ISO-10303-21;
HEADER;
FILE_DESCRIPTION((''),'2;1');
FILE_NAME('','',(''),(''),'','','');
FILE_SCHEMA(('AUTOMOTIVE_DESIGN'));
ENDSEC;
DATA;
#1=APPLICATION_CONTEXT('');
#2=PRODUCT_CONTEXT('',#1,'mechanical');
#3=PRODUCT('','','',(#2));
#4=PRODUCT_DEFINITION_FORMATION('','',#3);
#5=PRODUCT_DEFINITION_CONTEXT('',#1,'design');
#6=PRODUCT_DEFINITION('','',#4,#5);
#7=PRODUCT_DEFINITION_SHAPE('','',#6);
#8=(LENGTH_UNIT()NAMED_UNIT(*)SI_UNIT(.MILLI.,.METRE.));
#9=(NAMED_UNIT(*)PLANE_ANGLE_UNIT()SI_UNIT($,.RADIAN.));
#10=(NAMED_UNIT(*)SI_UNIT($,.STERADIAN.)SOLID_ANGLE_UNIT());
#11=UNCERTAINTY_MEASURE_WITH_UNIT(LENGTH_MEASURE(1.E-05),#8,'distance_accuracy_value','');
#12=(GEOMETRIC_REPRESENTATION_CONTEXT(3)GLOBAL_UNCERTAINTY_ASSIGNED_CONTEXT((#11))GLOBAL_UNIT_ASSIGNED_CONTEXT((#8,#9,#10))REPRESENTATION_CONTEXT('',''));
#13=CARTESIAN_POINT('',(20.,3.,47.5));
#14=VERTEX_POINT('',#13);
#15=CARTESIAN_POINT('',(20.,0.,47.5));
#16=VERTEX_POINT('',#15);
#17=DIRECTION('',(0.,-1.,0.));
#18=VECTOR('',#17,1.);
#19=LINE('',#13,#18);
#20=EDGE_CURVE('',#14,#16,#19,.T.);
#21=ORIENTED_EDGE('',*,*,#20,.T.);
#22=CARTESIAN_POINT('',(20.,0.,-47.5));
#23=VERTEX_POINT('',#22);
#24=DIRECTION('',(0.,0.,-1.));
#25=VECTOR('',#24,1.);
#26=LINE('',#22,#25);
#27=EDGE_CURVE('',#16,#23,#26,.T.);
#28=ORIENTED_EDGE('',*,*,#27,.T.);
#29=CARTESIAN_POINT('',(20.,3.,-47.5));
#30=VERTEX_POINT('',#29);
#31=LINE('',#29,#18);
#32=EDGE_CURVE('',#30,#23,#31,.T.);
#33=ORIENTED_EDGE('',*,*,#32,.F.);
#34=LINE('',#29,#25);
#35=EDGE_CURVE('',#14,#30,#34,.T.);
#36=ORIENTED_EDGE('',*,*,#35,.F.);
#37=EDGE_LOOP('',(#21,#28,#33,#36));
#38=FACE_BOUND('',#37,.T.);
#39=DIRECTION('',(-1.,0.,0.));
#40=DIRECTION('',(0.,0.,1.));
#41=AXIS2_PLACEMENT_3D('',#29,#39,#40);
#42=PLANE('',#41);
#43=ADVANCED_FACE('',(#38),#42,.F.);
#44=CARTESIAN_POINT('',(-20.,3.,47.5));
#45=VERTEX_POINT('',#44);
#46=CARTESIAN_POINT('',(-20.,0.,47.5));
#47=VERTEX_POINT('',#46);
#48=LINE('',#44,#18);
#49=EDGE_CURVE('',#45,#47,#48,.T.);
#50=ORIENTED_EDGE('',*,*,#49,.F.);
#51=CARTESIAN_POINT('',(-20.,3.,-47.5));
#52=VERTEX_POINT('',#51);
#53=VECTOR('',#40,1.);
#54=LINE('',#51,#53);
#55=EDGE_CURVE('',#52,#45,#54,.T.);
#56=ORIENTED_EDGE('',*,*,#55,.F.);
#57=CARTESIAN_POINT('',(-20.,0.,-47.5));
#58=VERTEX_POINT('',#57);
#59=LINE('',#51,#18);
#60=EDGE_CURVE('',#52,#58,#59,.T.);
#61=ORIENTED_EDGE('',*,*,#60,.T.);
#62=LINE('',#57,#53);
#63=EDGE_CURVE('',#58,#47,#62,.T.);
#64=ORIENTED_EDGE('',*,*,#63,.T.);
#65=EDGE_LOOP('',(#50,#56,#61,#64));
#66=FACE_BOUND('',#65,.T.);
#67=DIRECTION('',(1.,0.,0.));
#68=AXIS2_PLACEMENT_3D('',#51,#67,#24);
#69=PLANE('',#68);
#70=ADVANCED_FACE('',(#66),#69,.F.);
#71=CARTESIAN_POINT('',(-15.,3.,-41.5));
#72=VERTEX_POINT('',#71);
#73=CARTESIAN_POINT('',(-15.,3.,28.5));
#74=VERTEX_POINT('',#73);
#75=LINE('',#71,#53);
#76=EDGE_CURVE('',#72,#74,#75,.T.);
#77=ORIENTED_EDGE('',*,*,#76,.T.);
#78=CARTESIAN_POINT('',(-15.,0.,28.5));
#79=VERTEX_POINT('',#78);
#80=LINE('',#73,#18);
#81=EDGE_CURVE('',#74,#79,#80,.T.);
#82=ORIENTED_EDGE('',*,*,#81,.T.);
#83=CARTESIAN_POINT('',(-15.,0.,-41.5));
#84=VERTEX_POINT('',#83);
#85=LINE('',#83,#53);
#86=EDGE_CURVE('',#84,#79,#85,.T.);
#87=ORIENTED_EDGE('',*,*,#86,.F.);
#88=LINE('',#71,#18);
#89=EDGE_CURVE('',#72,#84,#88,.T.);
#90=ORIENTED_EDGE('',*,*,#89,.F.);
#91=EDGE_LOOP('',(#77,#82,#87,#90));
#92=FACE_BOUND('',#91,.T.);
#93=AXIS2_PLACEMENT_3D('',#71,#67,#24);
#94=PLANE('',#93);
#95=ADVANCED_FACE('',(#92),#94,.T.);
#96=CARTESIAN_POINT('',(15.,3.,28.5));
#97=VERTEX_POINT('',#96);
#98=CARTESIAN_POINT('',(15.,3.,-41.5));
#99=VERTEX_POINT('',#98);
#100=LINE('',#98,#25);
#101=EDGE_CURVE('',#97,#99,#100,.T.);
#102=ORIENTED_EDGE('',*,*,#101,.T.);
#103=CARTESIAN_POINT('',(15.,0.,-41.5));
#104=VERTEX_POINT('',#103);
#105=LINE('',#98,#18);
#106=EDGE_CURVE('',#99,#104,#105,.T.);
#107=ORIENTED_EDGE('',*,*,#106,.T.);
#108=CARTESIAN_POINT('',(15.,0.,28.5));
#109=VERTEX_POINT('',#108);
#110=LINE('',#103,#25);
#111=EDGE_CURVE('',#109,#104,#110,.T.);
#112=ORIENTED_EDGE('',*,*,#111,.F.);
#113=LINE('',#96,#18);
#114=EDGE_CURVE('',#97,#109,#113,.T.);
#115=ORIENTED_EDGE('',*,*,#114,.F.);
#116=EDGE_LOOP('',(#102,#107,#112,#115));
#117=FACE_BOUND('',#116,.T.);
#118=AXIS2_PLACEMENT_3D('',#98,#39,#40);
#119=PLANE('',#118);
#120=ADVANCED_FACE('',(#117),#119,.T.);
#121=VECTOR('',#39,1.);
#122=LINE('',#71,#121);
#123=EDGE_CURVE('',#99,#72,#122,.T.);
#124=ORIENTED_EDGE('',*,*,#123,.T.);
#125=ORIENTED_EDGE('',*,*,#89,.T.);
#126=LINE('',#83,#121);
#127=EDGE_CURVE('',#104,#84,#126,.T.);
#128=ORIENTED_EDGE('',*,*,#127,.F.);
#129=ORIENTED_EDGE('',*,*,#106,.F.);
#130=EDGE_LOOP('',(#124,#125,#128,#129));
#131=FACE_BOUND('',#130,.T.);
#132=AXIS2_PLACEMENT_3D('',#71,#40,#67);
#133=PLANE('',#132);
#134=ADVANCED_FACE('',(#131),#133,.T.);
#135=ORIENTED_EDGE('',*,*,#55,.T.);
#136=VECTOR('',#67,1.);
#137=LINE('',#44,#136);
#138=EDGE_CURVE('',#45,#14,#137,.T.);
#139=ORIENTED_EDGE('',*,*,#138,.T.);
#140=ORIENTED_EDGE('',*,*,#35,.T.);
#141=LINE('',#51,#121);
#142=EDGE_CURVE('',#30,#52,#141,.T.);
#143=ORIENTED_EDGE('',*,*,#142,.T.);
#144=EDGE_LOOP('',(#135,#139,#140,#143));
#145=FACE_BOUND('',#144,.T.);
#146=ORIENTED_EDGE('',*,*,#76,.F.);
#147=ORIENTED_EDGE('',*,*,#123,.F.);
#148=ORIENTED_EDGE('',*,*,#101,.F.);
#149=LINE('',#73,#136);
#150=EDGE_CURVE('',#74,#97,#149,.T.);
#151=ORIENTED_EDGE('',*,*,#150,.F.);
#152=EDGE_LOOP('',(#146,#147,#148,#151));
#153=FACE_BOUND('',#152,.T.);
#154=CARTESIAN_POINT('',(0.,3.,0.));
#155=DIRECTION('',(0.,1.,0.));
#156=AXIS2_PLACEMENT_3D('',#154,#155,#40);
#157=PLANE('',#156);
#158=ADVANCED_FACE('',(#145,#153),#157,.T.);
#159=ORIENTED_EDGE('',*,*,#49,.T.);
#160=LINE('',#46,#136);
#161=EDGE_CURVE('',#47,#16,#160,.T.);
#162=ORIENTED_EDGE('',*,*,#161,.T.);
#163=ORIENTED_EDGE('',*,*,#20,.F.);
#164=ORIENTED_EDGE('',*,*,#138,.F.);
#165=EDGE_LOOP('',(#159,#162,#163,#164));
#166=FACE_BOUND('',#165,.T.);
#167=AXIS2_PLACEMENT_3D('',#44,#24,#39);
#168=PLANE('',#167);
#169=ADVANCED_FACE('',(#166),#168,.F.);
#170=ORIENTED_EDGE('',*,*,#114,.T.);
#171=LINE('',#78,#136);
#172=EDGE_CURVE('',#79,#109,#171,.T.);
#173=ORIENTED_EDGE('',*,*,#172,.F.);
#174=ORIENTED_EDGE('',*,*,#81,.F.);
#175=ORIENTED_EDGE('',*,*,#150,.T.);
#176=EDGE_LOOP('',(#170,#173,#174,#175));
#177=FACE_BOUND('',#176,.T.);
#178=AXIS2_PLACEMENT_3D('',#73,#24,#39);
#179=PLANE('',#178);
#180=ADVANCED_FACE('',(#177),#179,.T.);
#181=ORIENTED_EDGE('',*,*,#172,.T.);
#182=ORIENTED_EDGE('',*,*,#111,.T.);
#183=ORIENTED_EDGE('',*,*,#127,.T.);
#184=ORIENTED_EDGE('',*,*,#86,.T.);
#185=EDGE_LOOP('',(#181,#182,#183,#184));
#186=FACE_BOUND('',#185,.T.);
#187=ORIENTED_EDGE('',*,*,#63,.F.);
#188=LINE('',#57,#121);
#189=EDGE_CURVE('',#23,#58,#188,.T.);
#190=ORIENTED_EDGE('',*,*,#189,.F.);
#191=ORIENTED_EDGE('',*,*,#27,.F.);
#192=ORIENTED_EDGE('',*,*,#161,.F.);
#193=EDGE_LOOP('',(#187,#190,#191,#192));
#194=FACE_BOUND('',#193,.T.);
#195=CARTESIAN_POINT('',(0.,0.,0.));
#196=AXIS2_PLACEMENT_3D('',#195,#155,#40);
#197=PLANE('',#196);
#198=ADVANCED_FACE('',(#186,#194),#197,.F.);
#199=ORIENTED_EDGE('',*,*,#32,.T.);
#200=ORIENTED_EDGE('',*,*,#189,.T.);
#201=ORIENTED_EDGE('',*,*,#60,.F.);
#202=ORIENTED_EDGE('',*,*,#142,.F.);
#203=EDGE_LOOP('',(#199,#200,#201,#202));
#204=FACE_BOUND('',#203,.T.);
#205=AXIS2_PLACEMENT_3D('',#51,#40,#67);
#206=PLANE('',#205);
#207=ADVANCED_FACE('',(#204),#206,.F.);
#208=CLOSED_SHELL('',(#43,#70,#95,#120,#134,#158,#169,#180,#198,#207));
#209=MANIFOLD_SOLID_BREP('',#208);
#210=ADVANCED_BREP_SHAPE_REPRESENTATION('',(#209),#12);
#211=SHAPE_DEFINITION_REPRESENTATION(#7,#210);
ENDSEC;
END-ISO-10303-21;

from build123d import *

# Parameters (mm, degrees)
CROQUIS2_W              = 40
CROQUIS2_H              = 95
CROQUIS2_W_2            = 30
CROQUIS2_H_2            = 70
SALIENTE_EXTRUIR1_DEPTH = 3


with BuildPart() as part:
    # Croquis2 → Saliente-Extruir1 (new body)
    with BuildSketch(Plane(origin=(0, 0, 0), x_dir=(1, 0, 0), z_dir=(0, 1, 0))):
        Rectangle(CROQUIS2_W, CROQUIS2_H)
        with Locations((0, 6.5)):
            Rectangle(CROQUIS2_W_2, CROQUIS2_H_2, mode=Mode.SUBTRACT)
    extrude(amount=SALIENTE_EXTRUIR1_DEPTH)


solid = part.part
